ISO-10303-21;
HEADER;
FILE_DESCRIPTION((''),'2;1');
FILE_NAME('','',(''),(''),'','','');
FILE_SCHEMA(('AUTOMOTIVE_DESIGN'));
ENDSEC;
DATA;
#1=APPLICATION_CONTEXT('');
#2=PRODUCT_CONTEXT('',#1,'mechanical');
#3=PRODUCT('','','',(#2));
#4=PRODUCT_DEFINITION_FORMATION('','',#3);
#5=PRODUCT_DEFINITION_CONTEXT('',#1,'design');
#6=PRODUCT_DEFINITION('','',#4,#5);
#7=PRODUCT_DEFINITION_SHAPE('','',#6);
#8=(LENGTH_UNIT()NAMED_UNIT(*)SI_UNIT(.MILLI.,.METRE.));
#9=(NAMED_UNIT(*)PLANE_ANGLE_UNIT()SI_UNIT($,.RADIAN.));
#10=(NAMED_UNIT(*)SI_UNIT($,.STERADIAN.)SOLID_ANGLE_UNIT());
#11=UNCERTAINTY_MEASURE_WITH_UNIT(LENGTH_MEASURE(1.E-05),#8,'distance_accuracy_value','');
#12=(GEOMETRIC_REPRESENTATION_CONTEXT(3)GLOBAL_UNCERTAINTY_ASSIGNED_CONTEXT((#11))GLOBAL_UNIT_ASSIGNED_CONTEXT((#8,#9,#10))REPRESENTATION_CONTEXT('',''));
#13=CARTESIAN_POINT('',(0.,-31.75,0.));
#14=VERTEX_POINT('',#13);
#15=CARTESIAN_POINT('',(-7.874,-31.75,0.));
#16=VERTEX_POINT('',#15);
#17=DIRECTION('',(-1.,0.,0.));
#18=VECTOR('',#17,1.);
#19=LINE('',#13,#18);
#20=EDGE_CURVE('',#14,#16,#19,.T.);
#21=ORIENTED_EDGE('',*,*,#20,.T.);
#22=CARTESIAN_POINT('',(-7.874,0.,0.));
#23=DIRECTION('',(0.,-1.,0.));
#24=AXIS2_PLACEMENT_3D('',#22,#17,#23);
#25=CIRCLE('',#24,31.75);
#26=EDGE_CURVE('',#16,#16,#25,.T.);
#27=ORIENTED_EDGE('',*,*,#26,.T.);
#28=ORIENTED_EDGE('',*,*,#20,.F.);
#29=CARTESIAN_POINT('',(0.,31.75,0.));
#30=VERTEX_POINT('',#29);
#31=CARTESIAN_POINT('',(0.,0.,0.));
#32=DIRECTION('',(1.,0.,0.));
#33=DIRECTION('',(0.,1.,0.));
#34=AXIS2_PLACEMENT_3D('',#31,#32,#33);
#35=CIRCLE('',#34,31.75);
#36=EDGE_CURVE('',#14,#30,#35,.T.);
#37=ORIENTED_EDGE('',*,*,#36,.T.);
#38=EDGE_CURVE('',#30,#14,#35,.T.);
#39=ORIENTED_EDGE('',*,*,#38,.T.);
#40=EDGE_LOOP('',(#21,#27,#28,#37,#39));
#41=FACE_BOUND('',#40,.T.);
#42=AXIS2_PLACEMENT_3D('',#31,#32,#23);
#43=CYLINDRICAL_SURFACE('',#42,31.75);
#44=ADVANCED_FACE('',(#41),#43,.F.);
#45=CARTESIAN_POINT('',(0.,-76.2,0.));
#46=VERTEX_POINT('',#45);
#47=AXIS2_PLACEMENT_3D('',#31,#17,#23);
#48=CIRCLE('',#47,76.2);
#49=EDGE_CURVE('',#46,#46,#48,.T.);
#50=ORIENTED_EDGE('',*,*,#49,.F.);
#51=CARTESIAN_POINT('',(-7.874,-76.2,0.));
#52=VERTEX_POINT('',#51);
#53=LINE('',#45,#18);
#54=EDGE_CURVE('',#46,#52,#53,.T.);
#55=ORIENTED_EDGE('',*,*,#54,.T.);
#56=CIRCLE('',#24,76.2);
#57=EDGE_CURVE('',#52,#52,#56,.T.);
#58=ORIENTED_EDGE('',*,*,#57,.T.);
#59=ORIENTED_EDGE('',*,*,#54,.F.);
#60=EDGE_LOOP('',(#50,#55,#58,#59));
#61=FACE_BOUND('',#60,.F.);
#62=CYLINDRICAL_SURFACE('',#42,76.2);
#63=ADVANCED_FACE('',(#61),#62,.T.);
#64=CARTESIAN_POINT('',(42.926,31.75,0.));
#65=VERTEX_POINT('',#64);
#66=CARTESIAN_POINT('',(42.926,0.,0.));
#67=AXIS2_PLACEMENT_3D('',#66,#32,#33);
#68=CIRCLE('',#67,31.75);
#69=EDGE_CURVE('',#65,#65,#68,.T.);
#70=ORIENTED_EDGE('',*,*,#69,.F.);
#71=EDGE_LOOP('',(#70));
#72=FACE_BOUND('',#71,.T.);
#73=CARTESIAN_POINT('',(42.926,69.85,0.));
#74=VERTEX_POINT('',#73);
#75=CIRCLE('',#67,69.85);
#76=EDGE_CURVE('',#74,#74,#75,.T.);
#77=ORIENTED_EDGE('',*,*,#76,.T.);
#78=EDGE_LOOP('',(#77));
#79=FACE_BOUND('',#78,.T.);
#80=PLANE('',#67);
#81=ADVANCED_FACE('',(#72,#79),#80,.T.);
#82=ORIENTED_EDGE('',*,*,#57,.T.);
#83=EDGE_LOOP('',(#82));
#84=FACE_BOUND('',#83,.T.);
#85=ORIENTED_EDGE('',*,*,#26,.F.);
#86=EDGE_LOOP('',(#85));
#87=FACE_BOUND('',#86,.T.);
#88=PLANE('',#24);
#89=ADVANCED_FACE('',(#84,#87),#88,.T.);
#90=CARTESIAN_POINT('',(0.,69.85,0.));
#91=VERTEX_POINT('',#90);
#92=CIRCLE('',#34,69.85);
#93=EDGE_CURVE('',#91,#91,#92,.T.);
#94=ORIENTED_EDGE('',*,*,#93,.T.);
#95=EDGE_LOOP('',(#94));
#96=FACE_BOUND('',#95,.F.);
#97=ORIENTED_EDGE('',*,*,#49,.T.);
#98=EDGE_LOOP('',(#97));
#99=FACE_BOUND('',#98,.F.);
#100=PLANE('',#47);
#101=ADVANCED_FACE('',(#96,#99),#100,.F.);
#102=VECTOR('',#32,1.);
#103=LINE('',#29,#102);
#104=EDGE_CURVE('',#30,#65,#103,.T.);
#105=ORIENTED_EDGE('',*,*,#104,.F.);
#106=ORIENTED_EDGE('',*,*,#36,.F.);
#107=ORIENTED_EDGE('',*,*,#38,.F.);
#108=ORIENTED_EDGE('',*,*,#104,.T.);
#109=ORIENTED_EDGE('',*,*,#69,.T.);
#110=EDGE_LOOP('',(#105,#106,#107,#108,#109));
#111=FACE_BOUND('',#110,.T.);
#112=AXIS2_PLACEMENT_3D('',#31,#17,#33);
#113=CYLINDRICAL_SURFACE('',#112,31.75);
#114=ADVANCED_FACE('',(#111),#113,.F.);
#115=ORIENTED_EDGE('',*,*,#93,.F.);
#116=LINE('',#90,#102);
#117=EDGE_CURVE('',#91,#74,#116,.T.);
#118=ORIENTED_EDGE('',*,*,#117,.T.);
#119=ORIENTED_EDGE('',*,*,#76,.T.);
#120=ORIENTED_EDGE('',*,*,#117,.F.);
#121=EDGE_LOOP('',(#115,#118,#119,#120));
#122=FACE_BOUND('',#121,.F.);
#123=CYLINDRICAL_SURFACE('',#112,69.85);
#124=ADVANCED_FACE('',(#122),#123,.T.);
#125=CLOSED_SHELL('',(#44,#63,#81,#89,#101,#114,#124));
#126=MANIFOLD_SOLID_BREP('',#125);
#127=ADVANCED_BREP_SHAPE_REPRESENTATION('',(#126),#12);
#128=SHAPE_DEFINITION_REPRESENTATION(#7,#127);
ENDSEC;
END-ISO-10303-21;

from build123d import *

# Parameters (mm, degrees)
F0_R     = 69.85
F0_R_2   = 31.75
F1_DEPTH = 42.926
F2_R     = 76.2
F2_R_2   = 31.75
F3_DEPTH = 7.874


with BuildPart() as f1:
    # F0 (on Right) → F1 (new body)
    with BuildSketch(Plane.YZ):
        Circle(F0_R)
        Circle(F0_R_2, mode=Mode.SUBTRACT)
    extrude(amount=F1_DEPTH)

    # F2 (on face) → F3 (join)
    with BuildSketch(Plane(origin=(0, 0, 0), x_dir=(0, -1, 0), z_dir=(-1, 0, 0))):
        Circle(F2_R)
        Circle(F2_R_2, mode=Mode.SUBTRACT)
    extrude(amount=F3_DEPTH)


solid = f1.part
